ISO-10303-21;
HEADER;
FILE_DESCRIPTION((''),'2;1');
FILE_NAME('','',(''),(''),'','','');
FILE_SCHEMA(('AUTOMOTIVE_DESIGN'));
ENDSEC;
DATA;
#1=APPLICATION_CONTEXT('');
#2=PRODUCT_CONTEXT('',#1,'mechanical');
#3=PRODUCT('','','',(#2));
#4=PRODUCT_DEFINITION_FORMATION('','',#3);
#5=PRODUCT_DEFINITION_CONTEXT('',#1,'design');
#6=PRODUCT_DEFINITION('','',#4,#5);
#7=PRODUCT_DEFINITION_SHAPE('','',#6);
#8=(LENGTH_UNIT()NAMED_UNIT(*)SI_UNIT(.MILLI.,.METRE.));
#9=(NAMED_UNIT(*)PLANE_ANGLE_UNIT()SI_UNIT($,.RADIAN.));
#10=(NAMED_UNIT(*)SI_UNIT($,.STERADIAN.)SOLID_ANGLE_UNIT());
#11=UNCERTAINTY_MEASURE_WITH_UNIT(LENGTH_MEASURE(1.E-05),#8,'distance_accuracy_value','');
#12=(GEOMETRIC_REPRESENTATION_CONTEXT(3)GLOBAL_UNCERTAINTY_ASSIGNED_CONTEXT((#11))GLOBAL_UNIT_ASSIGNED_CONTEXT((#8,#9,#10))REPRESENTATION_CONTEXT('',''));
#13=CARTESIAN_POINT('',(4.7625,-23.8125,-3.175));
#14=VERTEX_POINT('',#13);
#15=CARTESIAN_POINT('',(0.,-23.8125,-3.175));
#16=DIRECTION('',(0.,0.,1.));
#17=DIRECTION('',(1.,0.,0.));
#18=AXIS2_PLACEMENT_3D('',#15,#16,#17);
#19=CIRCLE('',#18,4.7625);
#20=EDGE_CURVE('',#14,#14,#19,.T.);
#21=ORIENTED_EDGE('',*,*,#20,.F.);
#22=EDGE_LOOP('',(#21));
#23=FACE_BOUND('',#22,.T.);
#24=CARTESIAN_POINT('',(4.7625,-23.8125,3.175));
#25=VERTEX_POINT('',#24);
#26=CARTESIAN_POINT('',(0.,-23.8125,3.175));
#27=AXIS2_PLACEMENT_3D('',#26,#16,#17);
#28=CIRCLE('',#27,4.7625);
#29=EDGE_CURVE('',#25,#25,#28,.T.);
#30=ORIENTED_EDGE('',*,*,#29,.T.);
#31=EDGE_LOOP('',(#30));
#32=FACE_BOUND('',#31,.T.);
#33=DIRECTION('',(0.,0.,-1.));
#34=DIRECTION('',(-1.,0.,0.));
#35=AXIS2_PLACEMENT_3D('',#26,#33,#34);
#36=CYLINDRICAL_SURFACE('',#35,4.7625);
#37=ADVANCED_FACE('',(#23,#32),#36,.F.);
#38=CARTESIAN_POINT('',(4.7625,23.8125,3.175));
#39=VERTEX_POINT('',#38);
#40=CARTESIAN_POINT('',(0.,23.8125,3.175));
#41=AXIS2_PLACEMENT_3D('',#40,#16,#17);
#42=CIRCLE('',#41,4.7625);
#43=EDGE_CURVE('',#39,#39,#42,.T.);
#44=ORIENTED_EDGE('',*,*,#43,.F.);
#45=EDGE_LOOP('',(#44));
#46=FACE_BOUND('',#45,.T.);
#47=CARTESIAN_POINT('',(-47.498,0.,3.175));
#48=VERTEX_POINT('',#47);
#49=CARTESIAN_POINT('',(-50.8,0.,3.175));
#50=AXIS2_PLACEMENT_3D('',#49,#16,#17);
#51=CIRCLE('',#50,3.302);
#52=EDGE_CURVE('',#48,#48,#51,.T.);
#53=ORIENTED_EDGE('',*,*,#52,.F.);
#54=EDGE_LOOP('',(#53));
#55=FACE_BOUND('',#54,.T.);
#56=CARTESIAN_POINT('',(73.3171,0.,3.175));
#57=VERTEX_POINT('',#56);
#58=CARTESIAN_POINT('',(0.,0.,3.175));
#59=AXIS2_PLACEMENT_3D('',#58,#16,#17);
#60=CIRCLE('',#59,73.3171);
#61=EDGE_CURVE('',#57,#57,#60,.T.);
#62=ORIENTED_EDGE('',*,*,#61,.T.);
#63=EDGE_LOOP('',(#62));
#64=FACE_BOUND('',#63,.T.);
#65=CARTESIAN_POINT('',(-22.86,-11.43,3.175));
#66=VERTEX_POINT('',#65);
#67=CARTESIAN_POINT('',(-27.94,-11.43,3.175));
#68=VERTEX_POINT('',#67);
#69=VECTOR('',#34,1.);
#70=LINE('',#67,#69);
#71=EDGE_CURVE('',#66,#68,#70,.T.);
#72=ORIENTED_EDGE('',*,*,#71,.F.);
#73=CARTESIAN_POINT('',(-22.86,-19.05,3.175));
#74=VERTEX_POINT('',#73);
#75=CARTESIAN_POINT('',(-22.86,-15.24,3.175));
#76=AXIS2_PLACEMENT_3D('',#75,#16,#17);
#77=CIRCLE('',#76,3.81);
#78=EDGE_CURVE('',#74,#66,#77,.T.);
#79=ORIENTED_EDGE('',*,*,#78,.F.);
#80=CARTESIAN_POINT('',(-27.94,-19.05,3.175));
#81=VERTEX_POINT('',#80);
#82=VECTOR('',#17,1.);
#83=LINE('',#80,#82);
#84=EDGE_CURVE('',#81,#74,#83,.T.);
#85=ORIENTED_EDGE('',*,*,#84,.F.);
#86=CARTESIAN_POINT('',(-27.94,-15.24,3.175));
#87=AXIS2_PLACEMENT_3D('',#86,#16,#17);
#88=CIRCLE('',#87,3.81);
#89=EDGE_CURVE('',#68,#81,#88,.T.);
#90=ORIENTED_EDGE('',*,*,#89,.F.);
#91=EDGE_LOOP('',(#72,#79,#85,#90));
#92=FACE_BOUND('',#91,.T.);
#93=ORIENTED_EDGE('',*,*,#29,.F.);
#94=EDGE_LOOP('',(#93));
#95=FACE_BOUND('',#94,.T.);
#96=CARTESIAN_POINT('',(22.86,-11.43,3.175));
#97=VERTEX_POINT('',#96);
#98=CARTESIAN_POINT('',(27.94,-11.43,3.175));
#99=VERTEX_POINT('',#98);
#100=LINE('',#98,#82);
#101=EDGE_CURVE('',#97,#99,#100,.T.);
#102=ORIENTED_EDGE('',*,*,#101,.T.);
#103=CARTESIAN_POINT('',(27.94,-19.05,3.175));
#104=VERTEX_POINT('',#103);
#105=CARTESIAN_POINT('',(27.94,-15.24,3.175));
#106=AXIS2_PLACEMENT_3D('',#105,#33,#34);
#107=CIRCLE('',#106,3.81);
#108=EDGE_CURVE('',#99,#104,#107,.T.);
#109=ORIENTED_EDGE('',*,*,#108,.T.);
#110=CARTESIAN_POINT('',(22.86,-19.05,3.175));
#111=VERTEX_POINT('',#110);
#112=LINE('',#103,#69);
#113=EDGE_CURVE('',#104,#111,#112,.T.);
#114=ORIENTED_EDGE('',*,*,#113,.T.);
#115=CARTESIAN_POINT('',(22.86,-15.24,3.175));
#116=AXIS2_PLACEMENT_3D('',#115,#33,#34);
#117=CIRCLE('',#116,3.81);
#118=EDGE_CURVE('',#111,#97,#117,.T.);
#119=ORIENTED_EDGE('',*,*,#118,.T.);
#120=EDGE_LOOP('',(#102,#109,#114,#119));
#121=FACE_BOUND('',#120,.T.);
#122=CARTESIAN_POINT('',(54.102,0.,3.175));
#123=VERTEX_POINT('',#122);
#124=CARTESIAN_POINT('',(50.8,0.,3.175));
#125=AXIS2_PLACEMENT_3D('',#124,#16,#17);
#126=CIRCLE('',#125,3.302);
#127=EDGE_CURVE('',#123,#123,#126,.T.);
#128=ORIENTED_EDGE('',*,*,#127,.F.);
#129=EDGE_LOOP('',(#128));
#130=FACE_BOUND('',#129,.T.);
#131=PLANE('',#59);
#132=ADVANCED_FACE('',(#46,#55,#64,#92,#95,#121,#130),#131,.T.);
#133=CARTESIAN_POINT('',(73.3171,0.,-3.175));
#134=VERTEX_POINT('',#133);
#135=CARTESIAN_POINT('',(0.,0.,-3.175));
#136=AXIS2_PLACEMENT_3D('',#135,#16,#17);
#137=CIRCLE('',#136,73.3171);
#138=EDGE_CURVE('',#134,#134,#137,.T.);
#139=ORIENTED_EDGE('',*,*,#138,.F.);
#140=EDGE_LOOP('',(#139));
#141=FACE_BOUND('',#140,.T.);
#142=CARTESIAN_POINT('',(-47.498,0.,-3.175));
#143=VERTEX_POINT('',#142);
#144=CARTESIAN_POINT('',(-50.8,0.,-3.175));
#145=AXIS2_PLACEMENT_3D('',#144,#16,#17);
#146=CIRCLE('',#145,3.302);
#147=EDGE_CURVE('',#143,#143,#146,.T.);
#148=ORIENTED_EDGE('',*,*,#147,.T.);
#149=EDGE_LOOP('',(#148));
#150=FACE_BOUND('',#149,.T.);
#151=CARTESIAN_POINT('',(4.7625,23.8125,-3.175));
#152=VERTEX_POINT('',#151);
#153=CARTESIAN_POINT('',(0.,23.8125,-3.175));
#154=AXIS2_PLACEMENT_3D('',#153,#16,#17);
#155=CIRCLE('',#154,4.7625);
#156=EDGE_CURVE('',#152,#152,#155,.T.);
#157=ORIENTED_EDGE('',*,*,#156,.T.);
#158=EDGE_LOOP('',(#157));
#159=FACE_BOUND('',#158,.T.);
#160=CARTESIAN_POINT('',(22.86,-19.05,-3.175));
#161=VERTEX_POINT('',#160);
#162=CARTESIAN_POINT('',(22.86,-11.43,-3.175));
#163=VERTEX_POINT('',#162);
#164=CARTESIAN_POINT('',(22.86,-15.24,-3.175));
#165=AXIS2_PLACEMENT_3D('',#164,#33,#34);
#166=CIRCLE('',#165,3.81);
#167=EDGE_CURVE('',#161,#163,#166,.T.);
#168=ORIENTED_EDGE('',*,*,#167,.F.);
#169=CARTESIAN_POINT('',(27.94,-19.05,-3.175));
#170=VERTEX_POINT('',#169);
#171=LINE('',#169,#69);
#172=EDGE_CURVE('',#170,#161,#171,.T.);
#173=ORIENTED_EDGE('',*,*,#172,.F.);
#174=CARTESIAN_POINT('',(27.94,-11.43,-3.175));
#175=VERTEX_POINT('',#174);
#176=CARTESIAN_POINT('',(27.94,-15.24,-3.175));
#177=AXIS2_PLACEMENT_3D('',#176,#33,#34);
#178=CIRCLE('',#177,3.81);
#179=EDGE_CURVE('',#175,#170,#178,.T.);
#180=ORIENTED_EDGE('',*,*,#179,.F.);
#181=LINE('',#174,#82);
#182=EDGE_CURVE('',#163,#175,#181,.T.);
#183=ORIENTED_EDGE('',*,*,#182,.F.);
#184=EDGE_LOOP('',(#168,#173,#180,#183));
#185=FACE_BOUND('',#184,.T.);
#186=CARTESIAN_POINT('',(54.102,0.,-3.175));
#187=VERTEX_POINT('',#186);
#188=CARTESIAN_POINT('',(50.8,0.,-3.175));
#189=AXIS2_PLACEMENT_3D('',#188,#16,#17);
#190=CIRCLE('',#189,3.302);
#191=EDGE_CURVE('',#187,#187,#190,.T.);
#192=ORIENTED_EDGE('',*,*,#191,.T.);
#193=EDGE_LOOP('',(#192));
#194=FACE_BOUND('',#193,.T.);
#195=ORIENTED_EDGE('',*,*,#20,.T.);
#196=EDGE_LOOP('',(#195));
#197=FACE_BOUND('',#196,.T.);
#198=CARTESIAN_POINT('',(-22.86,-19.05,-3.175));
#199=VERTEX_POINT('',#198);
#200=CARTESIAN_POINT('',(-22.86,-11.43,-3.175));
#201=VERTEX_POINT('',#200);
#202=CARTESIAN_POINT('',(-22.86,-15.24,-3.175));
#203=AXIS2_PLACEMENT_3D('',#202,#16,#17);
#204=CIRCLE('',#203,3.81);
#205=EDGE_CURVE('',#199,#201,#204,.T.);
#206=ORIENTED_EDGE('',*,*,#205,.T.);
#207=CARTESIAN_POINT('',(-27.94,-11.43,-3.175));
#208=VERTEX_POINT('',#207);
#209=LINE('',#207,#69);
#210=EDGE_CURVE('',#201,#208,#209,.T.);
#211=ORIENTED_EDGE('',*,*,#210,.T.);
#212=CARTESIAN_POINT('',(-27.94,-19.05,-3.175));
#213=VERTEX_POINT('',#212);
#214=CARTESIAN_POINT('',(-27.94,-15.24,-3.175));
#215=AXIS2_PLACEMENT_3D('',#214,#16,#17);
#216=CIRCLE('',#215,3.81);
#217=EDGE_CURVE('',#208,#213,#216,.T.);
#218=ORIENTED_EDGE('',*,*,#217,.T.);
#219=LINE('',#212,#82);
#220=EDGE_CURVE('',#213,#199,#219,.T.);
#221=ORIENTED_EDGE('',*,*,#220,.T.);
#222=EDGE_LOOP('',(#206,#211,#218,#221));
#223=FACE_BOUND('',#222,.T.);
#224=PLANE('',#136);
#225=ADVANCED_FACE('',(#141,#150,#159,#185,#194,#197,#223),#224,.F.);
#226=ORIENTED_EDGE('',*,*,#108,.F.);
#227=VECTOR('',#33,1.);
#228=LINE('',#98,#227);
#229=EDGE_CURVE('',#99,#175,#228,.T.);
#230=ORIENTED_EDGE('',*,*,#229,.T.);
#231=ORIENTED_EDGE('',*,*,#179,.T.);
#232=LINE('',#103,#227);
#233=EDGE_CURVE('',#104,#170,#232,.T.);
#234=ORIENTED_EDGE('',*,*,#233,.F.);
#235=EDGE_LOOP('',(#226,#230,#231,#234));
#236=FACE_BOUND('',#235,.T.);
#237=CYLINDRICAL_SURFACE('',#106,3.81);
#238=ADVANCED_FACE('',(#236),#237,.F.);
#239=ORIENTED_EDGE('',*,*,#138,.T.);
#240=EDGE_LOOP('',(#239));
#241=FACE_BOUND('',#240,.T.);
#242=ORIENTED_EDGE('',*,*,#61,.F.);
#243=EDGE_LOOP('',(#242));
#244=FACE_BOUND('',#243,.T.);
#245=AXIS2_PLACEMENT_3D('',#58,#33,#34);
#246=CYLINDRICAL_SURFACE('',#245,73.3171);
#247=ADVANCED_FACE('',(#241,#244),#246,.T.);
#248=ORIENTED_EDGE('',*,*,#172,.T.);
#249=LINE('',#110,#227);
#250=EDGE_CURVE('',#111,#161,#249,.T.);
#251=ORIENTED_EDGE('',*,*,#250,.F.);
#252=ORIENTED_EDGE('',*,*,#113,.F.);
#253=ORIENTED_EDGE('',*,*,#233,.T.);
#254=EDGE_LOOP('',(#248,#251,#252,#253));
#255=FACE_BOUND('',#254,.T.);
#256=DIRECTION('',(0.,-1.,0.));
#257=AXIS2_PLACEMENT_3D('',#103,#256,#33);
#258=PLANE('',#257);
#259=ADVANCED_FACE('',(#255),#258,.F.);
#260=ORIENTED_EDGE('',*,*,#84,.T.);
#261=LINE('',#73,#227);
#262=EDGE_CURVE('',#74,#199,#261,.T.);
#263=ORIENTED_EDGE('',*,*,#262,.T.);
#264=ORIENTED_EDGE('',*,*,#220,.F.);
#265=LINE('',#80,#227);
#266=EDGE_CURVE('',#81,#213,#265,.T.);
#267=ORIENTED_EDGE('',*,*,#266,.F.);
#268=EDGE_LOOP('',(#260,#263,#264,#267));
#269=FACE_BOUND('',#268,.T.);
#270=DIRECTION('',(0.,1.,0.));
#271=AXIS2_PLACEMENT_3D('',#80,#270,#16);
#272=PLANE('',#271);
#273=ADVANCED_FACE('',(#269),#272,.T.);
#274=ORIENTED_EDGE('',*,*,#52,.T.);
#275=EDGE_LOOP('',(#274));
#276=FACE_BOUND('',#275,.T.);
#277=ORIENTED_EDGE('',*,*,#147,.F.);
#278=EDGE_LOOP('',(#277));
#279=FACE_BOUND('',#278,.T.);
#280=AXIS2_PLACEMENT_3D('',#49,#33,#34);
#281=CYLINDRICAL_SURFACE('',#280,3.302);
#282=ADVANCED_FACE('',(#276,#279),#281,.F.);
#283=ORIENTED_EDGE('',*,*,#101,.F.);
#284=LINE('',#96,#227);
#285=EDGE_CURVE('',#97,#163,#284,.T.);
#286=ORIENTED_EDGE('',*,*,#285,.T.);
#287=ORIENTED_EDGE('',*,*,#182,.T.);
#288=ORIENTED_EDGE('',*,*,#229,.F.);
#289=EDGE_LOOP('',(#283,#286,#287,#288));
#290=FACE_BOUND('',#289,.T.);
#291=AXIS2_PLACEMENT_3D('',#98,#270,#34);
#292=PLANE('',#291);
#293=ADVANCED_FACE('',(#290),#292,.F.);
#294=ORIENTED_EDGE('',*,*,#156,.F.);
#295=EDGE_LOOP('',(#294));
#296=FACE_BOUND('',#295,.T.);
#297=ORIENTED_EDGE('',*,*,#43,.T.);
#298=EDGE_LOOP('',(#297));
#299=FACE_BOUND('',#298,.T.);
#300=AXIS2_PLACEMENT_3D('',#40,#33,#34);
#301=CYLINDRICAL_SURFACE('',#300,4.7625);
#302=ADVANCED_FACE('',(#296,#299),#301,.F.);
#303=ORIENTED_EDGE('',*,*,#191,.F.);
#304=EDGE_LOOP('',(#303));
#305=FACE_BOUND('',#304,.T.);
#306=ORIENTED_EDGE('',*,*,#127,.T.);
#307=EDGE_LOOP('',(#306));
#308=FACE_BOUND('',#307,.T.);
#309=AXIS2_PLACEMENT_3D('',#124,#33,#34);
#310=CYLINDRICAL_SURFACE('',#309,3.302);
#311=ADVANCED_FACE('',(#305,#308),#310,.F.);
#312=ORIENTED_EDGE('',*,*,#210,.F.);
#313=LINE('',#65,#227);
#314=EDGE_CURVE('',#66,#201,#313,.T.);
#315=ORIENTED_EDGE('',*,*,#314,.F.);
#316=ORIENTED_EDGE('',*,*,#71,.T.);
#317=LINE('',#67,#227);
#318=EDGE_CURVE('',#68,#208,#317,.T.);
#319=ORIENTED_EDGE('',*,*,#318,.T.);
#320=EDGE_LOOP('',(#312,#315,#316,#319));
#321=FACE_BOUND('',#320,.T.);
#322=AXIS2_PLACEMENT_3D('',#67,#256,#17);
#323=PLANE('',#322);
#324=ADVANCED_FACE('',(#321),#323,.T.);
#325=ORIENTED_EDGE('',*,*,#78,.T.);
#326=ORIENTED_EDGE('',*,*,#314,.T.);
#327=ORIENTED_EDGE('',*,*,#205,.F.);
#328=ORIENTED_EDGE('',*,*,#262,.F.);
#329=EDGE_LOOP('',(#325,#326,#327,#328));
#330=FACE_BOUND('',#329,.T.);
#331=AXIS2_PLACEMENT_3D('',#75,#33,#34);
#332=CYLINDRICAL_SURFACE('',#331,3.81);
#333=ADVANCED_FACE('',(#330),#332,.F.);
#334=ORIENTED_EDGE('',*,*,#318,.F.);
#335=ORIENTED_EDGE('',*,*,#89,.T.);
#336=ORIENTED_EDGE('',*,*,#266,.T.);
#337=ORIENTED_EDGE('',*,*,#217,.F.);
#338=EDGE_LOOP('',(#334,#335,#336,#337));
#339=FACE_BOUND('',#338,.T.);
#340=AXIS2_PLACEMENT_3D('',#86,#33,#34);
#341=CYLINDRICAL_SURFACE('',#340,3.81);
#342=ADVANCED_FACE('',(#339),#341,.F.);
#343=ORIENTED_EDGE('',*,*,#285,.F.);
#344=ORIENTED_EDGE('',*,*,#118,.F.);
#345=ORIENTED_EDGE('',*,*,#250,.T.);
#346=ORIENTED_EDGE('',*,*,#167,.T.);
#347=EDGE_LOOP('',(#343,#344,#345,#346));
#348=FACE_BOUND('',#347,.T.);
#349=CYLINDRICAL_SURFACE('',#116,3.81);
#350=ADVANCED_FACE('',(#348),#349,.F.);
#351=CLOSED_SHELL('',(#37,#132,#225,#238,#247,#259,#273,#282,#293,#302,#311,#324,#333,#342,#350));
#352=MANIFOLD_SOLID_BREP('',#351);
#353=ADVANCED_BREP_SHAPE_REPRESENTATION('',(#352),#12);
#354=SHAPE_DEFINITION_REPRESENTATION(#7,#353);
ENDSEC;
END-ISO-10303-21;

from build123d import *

# Parameters (mm, degrees)
SKETCH2_R           = 73.3171
SKETCH2_R_2         = 3.302
SKETCH2_R_3         = 4.7625
BOSS_EXTRUDE1_DEPTH = 3.175
CUT_EXTRUDE1_DEPTH  = 6.35


with BuildPart() as part:
    # Sketch2 → Boss-Extrude1 (new, symmetric)
    with BuildSketch(Plane.XY):
        Circle(SKETCH2_R)
        with Locations((-50.8, 0)):
            Circle(SKETCH2_R_2, mode=Mode.SUBTRACT)
        with Locations((50.8, 0)):
            Circle(SKETCH2_R_2, mode=Mode.SUBTRACT)
        with Locations((0, 23.8125)):
            Circle(SKETCH2_R_3, mode=Mode.SUBTRACT)
        with Locations((0, -23.8125)):
            Circle(SKETCH2_R_3, mode=Mode.SUBTRACT)
    extrude(amount=BOSS_EXTRUDE1_DEPTH, both=True)

    # Sketch3 → Cut-Extrude1 (cut)
    with BuildSketch(Plane(origin=(0, 0, -3.175), x_dir=(-1, 0, 0), z_dir=(0, 0, -1))):
        with BuildLine():
            Line((-27.94, -11.43), (-22.86, -11.43))
            ThreePointArc((-22.86, -11.43), (-19.05, -15.24), (-22.86, -19.05))
            Line((-22.86, -19.05), (-27.94, -19.05))
            ThreePointArc((-27.94, -19.05), (-31.75, -15.24), (-27.94, -11.43))
        make_face()
    cut_extrude1 = extrude(amount=-CUT_EXTRUDE1_DEPTH, mode=Mode.SUBTRACT)

    # Mirror1: Cut-Extrude1 across plane
    add(cut_extrude1.mirror(Plane(origin=(0, 0, 0), x_dir=(0, 0, 1), z_dir=(1, 0, 0))), mode=Mode.SUBTRACT)


solid = part.part
